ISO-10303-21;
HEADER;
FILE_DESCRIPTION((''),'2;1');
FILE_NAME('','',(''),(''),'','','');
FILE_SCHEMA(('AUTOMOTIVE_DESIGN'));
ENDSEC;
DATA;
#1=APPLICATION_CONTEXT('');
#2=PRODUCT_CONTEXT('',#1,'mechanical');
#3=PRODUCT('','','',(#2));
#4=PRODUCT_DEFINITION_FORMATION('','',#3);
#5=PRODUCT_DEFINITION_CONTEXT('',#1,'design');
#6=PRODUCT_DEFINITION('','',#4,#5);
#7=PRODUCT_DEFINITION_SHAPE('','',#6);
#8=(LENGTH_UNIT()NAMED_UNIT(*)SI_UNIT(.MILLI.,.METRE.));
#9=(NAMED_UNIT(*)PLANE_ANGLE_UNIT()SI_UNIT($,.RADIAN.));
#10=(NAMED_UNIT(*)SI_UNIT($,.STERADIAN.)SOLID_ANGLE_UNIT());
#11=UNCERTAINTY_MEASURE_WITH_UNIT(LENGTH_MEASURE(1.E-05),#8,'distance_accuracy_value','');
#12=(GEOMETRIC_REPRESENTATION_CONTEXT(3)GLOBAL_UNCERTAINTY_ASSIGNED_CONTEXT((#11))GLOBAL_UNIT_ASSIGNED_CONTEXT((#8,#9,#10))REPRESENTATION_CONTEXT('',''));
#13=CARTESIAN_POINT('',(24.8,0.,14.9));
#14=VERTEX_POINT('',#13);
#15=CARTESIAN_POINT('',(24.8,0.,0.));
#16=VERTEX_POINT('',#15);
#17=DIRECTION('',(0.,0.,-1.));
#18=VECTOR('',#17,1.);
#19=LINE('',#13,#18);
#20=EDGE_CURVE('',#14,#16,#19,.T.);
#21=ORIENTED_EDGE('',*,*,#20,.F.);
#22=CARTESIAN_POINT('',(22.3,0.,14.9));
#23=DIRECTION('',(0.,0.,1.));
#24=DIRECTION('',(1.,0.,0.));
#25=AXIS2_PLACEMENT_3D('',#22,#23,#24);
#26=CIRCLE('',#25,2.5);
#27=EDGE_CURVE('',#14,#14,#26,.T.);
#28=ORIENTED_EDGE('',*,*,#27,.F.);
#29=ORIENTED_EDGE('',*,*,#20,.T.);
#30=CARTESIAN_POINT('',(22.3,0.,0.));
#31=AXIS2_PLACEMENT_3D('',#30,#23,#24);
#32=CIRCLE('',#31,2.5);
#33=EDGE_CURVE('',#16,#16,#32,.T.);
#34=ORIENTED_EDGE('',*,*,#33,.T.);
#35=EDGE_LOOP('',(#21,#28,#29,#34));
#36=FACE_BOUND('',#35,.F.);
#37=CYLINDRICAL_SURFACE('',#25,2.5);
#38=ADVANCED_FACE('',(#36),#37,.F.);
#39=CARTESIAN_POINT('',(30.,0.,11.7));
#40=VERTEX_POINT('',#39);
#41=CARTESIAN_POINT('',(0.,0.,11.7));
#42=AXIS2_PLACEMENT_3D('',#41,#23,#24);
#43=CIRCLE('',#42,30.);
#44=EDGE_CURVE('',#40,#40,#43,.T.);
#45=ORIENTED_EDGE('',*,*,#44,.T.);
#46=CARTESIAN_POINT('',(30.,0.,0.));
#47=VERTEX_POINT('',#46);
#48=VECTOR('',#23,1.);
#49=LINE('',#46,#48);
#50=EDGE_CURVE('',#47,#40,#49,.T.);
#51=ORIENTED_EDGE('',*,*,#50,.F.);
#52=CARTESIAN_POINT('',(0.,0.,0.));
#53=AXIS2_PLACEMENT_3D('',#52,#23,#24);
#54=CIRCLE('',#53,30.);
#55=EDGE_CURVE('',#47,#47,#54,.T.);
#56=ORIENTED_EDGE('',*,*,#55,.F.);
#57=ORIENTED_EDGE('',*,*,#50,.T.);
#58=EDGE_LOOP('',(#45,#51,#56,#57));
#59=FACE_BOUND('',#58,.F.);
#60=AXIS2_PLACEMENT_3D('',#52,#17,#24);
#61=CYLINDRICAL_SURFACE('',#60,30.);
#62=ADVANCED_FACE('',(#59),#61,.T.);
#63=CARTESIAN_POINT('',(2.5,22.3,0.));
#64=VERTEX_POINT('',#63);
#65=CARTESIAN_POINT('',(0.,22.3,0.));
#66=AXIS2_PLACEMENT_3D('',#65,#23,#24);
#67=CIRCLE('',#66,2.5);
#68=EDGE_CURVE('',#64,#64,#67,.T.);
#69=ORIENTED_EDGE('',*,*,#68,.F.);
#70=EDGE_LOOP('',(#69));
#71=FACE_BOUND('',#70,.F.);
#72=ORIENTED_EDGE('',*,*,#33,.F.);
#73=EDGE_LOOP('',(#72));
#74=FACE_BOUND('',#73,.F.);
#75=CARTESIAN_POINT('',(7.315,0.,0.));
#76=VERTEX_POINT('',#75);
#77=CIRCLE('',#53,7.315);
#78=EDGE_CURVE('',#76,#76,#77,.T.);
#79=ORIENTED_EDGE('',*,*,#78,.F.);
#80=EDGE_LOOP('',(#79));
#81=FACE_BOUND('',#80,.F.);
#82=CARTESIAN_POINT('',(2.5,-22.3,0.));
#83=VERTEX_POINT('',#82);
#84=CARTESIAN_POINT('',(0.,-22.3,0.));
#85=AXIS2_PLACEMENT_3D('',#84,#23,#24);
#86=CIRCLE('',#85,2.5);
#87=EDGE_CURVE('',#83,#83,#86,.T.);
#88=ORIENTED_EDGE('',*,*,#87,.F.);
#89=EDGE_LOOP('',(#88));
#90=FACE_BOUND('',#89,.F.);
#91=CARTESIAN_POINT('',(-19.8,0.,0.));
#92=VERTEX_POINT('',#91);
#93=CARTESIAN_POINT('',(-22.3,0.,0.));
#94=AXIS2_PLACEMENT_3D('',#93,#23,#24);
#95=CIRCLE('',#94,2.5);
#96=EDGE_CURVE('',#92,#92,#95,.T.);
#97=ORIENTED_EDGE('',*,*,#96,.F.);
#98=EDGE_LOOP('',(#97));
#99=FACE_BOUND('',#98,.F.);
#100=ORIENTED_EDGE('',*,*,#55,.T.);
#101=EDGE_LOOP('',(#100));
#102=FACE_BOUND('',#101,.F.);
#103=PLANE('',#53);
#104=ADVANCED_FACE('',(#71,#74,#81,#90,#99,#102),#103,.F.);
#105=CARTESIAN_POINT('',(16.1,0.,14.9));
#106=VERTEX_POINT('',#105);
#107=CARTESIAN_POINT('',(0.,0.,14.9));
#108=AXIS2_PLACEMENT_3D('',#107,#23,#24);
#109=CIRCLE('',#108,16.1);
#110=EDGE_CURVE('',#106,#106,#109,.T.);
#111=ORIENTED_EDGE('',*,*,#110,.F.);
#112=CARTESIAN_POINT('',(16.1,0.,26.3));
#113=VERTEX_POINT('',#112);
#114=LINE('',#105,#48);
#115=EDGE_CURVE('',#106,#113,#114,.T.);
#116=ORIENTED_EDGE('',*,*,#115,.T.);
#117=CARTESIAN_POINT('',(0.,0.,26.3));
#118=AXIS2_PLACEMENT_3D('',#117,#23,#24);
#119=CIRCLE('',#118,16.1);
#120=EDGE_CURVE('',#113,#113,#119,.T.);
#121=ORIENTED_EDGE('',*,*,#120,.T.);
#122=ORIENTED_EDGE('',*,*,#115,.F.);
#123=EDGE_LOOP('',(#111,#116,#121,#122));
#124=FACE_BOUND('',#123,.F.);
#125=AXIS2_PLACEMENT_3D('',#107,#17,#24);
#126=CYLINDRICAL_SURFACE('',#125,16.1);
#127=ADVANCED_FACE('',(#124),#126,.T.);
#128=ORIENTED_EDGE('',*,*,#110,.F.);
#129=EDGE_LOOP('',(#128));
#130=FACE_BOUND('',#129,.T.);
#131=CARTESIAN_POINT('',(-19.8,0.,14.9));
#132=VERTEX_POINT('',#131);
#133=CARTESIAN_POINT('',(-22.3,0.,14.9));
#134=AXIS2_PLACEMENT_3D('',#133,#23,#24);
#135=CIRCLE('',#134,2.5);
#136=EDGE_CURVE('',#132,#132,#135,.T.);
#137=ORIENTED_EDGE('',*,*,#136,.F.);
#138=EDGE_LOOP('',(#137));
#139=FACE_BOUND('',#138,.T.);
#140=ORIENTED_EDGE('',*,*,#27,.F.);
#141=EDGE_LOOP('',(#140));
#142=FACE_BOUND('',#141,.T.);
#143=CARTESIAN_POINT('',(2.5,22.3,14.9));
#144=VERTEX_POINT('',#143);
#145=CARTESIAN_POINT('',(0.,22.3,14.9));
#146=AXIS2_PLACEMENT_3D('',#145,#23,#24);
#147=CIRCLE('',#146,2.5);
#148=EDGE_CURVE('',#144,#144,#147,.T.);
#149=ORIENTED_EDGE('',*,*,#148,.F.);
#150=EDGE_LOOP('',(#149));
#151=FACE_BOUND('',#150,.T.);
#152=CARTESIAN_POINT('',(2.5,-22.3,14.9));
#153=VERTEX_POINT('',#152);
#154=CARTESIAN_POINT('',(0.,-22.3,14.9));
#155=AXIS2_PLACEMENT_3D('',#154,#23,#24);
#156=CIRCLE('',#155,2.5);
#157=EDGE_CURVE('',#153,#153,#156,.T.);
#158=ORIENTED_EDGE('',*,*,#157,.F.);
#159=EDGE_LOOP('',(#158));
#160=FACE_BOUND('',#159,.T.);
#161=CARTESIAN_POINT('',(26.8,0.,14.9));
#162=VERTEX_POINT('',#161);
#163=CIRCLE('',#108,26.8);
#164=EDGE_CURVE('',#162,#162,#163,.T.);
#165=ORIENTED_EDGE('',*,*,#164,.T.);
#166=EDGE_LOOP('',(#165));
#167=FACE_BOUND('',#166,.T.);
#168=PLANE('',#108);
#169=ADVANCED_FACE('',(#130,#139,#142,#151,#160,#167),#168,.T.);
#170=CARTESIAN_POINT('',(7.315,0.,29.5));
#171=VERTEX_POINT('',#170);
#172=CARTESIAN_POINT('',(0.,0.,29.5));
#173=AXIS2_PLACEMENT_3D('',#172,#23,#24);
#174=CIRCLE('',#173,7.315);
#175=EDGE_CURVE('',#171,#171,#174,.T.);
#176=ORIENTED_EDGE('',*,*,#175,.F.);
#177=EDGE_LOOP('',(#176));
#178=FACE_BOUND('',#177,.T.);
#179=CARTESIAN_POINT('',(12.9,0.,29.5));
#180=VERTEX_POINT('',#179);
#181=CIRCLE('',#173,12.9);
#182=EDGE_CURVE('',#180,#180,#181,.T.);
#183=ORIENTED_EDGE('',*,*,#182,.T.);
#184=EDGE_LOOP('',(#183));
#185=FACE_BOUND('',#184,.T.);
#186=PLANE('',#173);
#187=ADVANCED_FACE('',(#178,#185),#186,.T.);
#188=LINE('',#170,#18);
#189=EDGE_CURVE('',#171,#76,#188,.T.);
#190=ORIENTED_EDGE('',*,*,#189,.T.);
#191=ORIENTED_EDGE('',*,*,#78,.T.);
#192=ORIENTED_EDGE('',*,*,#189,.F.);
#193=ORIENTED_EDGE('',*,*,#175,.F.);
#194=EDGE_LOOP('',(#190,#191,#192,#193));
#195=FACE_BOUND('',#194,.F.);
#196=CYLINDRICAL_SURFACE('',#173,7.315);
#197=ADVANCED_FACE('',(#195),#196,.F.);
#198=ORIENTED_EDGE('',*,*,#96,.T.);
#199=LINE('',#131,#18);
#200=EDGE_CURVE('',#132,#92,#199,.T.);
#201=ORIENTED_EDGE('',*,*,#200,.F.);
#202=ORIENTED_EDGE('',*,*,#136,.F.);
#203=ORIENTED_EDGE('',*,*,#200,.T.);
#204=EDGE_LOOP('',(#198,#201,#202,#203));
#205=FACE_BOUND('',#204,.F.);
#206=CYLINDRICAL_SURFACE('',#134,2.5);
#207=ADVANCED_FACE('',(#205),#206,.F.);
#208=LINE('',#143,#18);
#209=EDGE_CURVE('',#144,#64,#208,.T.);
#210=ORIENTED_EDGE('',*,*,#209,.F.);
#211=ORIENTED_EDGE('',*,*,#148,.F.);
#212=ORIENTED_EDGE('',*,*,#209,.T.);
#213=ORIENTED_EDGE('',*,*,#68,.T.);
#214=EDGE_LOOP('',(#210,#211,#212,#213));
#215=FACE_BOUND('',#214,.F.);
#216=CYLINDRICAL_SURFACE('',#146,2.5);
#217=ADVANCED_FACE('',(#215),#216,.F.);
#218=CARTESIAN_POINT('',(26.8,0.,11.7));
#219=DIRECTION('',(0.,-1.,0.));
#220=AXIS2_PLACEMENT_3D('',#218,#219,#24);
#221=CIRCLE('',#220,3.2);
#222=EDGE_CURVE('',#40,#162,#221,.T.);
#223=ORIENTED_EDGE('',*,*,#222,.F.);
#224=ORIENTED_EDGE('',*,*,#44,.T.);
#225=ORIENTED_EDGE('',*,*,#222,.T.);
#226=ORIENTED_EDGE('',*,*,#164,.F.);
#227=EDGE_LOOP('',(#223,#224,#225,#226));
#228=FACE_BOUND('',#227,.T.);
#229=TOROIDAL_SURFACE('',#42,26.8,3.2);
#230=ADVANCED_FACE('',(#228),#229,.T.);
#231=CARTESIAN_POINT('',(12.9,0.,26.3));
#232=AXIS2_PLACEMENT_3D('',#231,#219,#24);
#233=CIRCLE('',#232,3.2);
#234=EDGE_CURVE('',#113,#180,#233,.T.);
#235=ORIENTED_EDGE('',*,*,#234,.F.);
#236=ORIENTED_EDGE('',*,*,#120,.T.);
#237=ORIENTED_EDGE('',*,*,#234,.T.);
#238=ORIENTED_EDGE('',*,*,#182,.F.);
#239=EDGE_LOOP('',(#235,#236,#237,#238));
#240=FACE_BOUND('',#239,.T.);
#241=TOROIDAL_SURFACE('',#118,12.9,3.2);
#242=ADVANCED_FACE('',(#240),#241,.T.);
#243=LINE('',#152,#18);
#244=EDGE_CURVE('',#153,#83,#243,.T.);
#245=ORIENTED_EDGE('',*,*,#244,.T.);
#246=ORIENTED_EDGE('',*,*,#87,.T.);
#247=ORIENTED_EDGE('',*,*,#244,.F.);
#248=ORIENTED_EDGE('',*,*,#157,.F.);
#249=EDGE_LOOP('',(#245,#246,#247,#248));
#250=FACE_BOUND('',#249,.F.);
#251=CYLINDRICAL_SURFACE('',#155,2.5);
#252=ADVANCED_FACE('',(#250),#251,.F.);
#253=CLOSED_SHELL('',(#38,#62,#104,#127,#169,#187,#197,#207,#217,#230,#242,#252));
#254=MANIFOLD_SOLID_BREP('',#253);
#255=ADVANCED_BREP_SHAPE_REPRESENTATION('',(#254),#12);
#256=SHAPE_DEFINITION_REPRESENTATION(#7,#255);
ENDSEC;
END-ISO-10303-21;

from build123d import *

# Parameters (mm, degrees)
F0_R      = 30
F1_DEPTH  = 14.9
F3_R      = 16.1
F4_DEPTH  = 14.6
F5_R      = 2.5
F6_DEPTH  = 25
F7_R      = 3.2
F9_R      = 7.315
F10_DEPTH = 50


with BuildPart() as f1:
    # F0 (on Top) → F1 (new body)
    with BuildSketch(Plane.XY):
        Circle(F0_R)
    extrude(amount=F1_DEPTH)

    # F3 (on offset) → F4 (join)
    with BuildSketch(Plane.XY.offset(14.9)):
        Circle(F3_R)
    extrude(amount=F4_DEPTH)

    # F5 (on offset) → F6 (cut)
    with BuildSketch(Plane.XY.offset(14.9)):
        with Locations((-22.3, 0)):
            Circle(F5_R)
        with Locations((0, 22.3)):
            Circle(F5_R)
        with Locations((22.3, 0)):
            Circle(F5_R)
        with Locations((0, -22.3)):
            Circle(F5_R)
    extrude(amount=-F6_DEPTH, mode=Mode.SUBTRACT)

    # F7
    f7_edges = [f1.edges().sort_by_distance(p)[0] for p in [
        (-30, 0, 14.9),
        (-16.1, 0, 29.5),
    ]]
    fillet(f7_edges, radius=F7_R)

    # F9 (on offset) → F10 (cut)
    with BuildSketch(Plane.XY.offset(29.5)):
        Circle(F9_R)
    extrude(amount=-F10_DEPTH, mode=Mode.SUBTRACT)


solid = f1.part
